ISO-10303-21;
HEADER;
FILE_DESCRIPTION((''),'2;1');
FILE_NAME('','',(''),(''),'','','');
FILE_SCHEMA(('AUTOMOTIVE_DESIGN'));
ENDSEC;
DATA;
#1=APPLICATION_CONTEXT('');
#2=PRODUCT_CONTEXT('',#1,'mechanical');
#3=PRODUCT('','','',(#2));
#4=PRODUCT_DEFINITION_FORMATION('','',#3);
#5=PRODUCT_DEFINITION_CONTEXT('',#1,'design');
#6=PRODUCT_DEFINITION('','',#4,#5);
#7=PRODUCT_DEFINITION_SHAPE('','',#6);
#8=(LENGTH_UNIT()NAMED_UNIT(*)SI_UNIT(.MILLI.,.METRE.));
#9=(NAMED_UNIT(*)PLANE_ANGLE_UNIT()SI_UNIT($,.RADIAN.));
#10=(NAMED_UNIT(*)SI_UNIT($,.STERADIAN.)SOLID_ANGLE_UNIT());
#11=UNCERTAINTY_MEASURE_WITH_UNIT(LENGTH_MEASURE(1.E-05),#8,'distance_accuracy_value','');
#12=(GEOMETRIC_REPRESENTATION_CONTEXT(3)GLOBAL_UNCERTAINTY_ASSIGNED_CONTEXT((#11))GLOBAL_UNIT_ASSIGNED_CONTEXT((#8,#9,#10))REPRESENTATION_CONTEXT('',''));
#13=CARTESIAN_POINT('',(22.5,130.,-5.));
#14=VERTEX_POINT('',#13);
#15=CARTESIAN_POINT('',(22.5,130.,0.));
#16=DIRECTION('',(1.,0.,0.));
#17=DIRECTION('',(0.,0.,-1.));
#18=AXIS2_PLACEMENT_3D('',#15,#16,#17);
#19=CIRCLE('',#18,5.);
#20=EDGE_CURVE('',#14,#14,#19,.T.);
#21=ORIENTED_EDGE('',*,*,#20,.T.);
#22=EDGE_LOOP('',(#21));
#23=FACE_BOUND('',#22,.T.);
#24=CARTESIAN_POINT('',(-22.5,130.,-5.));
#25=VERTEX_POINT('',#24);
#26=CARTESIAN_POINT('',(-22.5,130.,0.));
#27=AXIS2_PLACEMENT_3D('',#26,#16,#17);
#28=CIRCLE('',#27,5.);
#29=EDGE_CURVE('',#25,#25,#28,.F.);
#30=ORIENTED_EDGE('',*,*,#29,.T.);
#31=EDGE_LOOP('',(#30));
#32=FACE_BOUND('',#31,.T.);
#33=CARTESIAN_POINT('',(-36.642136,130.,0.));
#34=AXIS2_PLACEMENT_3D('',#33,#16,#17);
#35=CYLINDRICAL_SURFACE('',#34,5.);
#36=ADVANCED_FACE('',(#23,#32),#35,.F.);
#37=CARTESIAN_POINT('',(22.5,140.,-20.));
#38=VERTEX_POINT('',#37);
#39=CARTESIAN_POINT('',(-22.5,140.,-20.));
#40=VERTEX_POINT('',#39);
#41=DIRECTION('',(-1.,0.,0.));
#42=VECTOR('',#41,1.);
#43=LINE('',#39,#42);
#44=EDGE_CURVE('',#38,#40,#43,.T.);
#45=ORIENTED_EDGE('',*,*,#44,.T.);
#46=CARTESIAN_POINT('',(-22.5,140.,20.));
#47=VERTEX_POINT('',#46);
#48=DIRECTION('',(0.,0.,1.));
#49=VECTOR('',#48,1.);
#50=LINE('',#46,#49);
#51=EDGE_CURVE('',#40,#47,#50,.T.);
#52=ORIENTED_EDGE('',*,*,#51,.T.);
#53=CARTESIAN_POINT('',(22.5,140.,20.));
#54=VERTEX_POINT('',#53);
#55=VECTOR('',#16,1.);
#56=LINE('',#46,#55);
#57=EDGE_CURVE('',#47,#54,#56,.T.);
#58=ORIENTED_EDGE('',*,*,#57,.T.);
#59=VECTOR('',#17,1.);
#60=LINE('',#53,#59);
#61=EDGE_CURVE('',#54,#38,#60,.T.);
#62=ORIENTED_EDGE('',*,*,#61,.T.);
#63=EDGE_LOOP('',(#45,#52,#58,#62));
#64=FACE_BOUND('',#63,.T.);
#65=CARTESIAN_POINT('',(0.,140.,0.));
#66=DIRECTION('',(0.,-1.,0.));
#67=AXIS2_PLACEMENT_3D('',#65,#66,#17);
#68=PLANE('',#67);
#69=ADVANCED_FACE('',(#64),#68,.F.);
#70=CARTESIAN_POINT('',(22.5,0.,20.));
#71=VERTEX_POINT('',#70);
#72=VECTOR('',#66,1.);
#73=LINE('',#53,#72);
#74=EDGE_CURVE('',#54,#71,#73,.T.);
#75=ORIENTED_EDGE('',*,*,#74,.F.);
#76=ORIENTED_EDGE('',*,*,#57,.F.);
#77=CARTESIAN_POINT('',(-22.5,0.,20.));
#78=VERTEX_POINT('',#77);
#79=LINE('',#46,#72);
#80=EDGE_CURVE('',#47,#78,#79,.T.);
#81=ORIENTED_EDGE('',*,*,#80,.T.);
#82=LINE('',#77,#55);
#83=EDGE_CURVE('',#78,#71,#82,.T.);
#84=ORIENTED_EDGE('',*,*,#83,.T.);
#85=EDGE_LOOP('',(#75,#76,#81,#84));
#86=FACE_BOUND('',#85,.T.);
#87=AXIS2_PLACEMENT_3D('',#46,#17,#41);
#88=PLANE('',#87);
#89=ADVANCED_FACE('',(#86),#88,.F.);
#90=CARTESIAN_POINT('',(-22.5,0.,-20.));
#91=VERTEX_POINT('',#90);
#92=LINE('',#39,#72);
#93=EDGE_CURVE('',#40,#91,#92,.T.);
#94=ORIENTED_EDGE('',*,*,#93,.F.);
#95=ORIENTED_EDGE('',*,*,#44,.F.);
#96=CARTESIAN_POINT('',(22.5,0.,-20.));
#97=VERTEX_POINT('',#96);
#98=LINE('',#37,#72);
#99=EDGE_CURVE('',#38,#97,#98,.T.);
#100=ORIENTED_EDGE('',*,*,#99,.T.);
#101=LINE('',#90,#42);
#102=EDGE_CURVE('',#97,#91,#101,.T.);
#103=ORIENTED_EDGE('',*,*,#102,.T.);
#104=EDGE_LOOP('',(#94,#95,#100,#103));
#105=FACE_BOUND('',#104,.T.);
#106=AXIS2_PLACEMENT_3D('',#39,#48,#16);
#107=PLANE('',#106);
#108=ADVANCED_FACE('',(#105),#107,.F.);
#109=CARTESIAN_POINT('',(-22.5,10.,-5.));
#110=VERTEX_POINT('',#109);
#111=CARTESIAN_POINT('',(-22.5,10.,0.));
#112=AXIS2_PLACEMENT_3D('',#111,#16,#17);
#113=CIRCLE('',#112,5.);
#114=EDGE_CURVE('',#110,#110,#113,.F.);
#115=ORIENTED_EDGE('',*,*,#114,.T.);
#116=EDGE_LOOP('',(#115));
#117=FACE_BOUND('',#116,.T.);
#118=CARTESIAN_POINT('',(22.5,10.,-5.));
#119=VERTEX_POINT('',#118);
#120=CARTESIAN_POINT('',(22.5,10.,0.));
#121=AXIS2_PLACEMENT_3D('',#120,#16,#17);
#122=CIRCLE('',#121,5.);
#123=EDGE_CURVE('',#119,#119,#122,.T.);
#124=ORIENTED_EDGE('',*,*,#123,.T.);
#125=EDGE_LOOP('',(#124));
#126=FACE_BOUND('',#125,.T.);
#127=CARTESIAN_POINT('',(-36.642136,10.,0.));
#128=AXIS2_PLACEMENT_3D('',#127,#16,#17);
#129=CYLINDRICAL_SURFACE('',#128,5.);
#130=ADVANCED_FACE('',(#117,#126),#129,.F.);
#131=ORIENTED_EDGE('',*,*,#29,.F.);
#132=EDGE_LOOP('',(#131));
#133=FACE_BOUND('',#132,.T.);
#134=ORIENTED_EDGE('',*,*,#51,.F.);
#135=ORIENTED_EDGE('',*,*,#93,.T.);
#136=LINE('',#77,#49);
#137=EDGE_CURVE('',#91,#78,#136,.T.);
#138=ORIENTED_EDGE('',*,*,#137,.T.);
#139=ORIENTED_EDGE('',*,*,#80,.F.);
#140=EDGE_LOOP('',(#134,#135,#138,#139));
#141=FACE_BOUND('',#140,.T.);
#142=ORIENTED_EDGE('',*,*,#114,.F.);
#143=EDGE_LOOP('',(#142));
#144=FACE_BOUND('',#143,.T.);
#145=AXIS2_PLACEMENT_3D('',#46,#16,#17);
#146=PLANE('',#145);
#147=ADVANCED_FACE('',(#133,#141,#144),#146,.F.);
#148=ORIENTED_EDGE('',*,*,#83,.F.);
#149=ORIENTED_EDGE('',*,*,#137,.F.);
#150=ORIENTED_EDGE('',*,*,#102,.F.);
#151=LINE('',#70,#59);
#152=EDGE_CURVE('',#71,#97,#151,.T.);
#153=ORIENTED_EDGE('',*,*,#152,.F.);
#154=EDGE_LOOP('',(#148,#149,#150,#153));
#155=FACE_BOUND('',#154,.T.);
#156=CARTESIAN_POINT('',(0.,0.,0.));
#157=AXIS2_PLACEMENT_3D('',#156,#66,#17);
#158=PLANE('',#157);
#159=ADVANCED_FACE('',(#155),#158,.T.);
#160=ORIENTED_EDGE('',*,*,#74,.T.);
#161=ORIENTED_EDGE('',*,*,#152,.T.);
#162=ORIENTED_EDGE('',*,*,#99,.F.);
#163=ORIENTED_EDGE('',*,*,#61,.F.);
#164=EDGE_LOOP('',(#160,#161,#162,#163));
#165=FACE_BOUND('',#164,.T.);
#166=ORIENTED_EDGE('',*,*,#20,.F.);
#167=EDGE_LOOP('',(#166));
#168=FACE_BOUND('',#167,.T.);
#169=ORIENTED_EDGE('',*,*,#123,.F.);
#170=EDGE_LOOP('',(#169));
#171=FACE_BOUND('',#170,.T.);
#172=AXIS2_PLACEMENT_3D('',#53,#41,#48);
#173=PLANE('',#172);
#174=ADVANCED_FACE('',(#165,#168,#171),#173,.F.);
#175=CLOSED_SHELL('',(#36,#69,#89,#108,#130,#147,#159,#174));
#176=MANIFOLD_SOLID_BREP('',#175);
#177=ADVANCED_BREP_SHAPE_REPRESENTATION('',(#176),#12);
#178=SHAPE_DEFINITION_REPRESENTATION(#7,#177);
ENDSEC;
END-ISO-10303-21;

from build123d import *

# Parameters (mm, degrees)
SKETCH1_W           = 45
SKETCH1_H           = 40
BOSS_EXTRUDE1_DEPTH = 140
SKETCH2_R           = 5
CUT_EXTRUDE1_DEPTH  = 45


with BuildPart() as part:
    # Sketch1 → Boss-Extrude1 (new body)
    with BuildSketch(Plane(origin=(0, 0, 0), x_dir=(1, 0, 0), z_dir=(0, 1, 0))):
        Rectangle(SKETCH1_W, SKETCH1_H)
    extrude(amount=BOSS_EXTRUDE1_DEPTH)

    # Sketch2 → Cut-Extrude1 (cut)
    with BuildSketch(Plane(origin=(22.5, 0, 0), x_dir=(0, 0, -1), z_dir=(1, 0, 0))):
        with Locations((0, 130)):
            Circle(SKETCH2_R)
        with Locations((0, 10)):
            Circle(SKETCH2_R)
    extrude(amount=-CUT_EXTRUDE1_DEPTH, mode=Mode.SUBTRACT)


solid = part.part
